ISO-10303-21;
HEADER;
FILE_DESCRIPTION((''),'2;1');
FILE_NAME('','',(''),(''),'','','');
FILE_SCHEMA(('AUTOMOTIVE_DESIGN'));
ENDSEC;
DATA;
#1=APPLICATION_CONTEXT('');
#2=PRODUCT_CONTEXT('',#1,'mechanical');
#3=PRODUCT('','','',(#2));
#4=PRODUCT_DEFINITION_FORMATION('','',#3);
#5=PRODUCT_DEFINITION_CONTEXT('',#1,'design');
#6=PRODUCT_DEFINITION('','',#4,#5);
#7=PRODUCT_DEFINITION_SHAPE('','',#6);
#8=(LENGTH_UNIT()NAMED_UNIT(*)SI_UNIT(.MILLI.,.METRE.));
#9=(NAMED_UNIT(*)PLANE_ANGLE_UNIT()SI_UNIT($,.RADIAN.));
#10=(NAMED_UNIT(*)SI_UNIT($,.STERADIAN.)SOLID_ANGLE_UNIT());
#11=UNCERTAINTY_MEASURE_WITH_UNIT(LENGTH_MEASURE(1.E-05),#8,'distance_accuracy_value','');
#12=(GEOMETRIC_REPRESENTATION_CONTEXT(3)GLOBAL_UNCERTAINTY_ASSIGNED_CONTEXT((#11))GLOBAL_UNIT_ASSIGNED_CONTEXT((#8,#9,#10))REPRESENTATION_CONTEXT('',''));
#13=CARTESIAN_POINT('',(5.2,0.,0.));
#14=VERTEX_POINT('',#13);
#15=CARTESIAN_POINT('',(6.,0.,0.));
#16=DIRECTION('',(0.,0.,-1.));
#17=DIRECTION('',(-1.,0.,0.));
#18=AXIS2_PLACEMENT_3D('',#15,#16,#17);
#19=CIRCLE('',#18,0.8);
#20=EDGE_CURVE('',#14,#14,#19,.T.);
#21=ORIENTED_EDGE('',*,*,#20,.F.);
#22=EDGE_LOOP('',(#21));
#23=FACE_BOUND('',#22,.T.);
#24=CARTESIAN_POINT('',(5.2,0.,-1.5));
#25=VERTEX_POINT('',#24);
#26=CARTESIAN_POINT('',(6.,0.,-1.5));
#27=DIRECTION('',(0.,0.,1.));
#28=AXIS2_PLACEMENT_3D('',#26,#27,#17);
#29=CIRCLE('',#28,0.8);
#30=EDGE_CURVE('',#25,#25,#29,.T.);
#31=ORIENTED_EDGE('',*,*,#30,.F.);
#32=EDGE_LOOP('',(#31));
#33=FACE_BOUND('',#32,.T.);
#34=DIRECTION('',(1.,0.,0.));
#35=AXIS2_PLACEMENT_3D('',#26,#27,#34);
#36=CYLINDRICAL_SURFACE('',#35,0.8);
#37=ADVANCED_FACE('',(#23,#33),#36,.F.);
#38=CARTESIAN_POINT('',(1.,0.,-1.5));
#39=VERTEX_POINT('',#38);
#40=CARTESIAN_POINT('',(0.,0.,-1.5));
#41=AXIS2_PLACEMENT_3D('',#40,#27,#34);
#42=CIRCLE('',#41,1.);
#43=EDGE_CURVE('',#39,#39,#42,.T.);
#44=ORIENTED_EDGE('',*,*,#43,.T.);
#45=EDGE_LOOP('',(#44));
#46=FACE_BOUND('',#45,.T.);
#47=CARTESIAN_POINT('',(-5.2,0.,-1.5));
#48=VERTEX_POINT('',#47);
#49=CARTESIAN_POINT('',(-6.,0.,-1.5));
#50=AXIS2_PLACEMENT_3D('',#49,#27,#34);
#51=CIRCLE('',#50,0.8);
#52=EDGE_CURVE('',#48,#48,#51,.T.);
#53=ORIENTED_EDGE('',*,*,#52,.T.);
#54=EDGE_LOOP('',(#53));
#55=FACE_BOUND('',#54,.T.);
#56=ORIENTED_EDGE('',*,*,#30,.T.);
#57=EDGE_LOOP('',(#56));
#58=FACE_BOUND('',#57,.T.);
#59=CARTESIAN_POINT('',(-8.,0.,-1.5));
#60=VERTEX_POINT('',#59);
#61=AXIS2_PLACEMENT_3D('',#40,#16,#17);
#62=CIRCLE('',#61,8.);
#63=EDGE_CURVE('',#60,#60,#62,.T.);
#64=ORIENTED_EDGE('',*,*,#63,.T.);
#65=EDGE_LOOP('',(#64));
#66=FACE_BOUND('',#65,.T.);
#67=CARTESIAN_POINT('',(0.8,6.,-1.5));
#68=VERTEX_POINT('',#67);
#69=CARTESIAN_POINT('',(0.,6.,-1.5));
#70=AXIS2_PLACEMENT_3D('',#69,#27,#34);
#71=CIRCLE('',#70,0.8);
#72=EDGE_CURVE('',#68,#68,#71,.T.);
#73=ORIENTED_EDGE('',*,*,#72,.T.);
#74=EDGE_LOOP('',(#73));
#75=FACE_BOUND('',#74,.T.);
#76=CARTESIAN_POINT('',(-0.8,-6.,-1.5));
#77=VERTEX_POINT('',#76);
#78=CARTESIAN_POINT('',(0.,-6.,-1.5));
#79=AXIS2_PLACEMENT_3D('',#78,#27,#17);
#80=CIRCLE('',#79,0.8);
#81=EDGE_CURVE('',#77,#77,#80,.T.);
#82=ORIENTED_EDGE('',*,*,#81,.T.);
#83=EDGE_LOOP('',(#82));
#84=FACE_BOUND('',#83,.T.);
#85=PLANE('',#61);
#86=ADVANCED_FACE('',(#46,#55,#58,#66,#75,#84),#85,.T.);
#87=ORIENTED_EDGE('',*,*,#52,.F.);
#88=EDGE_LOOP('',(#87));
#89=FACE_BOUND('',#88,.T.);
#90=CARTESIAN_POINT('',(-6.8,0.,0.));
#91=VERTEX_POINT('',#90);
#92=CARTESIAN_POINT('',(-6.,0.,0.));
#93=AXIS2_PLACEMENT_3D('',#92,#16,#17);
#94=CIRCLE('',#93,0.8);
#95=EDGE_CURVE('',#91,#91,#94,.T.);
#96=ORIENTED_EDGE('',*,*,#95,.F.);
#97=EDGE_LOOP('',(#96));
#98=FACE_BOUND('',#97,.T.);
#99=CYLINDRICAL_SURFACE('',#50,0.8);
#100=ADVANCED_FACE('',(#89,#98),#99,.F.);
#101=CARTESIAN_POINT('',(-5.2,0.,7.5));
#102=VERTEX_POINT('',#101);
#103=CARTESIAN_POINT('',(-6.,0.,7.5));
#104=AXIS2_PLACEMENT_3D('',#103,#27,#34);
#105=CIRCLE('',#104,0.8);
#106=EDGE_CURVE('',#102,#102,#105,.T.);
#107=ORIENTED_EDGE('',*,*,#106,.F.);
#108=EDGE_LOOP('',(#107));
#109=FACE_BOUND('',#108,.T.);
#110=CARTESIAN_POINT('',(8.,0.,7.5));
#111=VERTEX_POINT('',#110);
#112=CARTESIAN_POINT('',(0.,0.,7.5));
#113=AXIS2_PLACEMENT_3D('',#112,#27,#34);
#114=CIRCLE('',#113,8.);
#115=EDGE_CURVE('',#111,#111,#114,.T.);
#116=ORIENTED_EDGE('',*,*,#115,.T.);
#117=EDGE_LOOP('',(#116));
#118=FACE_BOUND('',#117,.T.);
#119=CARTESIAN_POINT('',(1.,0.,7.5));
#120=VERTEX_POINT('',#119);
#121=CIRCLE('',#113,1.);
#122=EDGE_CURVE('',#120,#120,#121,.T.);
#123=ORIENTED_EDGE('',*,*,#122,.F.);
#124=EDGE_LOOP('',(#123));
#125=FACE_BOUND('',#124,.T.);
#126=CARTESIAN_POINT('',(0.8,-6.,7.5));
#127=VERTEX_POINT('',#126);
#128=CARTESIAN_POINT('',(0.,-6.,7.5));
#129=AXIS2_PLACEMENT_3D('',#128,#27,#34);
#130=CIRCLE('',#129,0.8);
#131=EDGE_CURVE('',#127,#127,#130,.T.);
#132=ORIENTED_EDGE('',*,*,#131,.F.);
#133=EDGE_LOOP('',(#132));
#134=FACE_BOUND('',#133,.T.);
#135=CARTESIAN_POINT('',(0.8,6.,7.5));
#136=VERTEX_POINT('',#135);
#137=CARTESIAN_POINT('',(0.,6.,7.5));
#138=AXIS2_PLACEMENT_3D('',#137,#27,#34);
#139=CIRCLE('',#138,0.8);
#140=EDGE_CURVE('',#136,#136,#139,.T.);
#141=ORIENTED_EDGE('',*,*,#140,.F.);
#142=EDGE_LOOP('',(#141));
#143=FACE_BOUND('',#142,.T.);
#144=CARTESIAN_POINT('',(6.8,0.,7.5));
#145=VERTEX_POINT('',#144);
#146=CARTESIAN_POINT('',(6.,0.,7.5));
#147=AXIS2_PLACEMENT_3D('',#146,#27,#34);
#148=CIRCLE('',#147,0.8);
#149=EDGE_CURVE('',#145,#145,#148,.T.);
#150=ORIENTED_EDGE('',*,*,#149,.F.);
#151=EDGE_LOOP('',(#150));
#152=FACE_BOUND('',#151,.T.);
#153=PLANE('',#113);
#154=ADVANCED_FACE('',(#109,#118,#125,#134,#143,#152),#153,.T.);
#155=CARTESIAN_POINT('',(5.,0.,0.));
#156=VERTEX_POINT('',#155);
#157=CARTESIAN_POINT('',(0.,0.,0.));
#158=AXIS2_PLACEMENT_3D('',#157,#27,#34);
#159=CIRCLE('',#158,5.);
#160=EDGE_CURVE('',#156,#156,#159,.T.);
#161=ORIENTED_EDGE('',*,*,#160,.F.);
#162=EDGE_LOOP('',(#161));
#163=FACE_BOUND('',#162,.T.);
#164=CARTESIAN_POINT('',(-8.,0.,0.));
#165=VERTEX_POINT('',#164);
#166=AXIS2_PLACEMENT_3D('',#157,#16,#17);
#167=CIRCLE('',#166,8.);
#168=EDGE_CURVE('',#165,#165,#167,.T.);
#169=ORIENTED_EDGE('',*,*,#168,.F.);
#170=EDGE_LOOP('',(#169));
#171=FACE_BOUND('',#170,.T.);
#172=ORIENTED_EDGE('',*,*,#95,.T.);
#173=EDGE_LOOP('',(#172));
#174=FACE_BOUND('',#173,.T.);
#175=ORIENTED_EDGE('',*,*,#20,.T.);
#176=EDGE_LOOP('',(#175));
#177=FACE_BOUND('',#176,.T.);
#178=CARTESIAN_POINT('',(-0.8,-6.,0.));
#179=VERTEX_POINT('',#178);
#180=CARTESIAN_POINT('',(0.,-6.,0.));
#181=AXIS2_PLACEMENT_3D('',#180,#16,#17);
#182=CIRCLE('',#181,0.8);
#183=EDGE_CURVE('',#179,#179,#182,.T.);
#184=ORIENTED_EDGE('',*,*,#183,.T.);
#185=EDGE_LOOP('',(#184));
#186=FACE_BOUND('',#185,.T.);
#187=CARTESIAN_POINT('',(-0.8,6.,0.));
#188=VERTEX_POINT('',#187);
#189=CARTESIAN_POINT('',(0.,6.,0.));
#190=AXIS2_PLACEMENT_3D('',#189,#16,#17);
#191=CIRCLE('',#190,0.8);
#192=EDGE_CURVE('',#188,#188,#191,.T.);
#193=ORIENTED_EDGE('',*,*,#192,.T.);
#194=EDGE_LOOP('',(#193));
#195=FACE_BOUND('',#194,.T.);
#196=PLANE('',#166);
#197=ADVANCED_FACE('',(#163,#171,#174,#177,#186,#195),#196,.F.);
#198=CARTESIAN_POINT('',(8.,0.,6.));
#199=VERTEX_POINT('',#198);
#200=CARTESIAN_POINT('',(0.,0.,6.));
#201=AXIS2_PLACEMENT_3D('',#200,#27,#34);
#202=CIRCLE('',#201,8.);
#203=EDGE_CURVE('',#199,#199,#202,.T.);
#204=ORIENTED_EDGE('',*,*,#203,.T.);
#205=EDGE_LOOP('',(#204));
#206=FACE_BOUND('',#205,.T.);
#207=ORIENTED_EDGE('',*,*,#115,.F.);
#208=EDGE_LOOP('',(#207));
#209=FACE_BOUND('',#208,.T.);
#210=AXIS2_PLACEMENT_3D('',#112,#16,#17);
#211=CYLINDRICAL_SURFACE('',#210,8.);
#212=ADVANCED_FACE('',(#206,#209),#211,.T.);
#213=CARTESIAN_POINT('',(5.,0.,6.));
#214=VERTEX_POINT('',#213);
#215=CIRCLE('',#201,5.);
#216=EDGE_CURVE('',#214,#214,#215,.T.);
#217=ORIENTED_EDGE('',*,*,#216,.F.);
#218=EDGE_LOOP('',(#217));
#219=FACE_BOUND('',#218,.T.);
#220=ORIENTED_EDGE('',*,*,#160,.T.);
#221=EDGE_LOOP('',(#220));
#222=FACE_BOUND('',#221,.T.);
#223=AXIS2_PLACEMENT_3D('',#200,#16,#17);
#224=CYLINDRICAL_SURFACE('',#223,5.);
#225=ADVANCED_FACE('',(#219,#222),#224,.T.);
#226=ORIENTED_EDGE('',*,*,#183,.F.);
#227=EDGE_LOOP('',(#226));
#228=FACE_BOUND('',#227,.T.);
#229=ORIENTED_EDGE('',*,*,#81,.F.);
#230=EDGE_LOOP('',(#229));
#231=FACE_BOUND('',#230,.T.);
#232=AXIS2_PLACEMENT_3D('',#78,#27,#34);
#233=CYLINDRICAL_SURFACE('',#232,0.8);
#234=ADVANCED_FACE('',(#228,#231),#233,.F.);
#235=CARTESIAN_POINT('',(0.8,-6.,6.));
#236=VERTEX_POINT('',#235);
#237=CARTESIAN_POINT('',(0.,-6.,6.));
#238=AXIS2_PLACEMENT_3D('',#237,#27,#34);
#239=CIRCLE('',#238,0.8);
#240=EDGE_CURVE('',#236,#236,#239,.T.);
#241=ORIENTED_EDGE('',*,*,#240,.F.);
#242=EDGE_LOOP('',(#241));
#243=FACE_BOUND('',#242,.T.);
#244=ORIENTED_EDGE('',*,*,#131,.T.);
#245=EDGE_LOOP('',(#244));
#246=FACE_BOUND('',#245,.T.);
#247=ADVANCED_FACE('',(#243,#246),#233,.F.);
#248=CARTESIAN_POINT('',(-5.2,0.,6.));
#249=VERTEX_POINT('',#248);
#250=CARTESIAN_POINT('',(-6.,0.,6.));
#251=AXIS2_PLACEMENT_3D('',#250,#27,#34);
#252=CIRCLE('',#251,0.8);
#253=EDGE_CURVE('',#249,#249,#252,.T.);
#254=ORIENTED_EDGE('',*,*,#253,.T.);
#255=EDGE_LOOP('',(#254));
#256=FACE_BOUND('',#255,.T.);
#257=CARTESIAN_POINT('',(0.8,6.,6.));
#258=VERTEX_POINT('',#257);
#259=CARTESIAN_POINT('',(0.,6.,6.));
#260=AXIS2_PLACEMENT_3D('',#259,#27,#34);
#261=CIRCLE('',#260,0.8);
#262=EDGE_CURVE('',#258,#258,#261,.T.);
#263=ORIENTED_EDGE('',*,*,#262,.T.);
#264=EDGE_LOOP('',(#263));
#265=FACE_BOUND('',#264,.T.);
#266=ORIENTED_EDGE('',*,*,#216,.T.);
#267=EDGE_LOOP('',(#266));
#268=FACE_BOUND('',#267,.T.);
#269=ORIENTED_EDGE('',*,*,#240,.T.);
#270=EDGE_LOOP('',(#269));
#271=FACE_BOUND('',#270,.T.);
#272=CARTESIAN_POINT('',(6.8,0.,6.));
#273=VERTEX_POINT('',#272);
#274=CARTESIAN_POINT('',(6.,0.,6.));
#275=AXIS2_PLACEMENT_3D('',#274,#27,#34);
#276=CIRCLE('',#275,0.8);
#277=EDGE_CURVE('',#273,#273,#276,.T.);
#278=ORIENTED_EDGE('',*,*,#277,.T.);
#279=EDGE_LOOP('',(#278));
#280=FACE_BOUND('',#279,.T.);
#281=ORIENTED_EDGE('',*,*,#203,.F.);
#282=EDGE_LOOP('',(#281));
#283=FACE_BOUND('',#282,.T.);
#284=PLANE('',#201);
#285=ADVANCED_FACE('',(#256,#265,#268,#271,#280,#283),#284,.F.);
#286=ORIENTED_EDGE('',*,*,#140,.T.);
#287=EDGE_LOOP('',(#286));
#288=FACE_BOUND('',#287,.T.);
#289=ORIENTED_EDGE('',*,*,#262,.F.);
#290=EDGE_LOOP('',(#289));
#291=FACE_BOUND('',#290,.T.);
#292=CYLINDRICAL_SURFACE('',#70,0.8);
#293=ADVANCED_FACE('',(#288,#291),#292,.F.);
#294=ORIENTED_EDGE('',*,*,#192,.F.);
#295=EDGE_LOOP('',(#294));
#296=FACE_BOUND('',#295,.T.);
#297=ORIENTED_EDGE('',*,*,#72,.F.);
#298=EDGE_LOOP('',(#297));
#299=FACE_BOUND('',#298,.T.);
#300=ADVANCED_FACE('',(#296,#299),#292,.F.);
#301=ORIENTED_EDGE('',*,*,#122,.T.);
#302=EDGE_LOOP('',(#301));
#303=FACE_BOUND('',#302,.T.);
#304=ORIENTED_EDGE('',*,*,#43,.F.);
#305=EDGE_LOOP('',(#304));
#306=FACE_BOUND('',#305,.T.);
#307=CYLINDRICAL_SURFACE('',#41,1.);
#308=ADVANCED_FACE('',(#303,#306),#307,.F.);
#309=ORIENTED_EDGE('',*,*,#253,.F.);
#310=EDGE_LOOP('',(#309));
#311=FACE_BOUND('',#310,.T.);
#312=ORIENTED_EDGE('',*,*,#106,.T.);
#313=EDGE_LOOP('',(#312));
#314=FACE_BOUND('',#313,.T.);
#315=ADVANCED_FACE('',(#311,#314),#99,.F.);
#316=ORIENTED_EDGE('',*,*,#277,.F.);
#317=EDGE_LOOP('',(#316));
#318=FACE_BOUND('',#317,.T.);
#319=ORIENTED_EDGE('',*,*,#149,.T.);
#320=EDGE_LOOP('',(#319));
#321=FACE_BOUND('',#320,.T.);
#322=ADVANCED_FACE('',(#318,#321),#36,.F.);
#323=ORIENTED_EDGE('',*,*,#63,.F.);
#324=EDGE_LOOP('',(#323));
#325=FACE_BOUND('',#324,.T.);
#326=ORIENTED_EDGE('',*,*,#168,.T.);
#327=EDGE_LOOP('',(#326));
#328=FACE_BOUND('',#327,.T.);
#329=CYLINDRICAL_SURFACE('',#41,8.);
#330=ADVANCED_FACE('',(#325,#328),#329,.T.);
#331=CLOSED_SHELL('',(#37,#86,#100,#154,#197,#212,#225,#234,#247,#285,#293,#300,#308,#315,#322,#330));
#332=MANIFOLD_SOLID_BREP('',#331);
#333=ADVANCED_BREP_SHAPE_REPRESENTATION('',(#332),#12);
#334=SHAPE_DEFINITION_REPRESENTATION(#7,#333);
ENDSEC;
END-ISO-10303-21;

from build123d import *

# Parameters (mm, degrees)
SKETCH1_R               = 5
BOSS_EXTRUDE1_DEPTH     = 6
SKETCH2_R               = 8
BOSS_EXTRUDE2_DEPTH     = 1.5
BOSS_EXTRUDE3_START     = 1.5
SKETCH3_R               = 8
BOSS_EXTRUDE3_DEPTH     = 1.5
CUT_EXTRUDE1_DEPTH      = 15.456832295
CUT_EXTRUDE1_DEPTH_BACK = 15.456832295
SKETCH4_R               = 0.8
CUT_EXTRUDE2_DEPTH      = 15.456832295
CUT_EXTRUDE2_DEPTH_BACK = 15.456832295
SKETCH5_R               = 1


with BuildPart() as part:
    # Sketch1 → Boss-Extrude1 (new body)
    with BuildSketch(Plane.XY):
        Circle(SKETCH1_R)
    extrude(amount=BOSS_EXTRUDE1_DEPTH)

    # Sketch2 → Boss-Extrude2 (add)
    with BuildSketch(Plane.XY.offset(6)):
        Circle(SKETCH2_R)
    extrude(amount=BOSS_EXTRUDE2_DEPTH)

    # Sketch3 → Boss-Extrude3 (add)
    with BuildSketch(Plane(origin=(0, 0, 0), x_dir=(-1, 0, 0), z_dir=(0, 0, -1)).offset(BOSS_EXTRUDE3_START)):
        Circle(SKETCH3_R)
    extrude(amount=-BOSS_EXTRUDE3_DEPTH)

    # Sketch4 → Cut-Extrude1 (cut, two sides: drawn at the far end of the back side and taken through both)
    with BuildSketch(Plane.XY.offset(7.5).offset(-CUT_EXTRUDE1_DEPTH_BACK)):
        with Locations((-6, 0)):
            Circle(SKETCH4_R)
        with Locations((6, 0)):
            Circle(SKETCH4_R)
        with Locations((0, 6)):
            Circle(SKETCH4_R)
        with Locations((0, -6)):
            Circle(SKETCH4_R)
    extrude(amount=CUT_EXTRUDE1_DEPTH + CUT_EXTRUDE1_DEPTH_BACK, mode=Mode.SUBTRACT)

    # Sketch5 → Cut-Extrude2 (cut, two sides: drawn at the far end of the back side and taken through both)
    with BuildSketch(Plane.XY.offset(7.5).offset(-CUT_EXTRUDE2_DEPTH_BACK)):
        Circle(SKETCH5_R)
    extrude(amount=CUT_EXTRUDE2_DEPTH + CUT_EXTRUDE2_DEPTH_BACK, mode=Mode.SUBTRACT)


solid = part.part
